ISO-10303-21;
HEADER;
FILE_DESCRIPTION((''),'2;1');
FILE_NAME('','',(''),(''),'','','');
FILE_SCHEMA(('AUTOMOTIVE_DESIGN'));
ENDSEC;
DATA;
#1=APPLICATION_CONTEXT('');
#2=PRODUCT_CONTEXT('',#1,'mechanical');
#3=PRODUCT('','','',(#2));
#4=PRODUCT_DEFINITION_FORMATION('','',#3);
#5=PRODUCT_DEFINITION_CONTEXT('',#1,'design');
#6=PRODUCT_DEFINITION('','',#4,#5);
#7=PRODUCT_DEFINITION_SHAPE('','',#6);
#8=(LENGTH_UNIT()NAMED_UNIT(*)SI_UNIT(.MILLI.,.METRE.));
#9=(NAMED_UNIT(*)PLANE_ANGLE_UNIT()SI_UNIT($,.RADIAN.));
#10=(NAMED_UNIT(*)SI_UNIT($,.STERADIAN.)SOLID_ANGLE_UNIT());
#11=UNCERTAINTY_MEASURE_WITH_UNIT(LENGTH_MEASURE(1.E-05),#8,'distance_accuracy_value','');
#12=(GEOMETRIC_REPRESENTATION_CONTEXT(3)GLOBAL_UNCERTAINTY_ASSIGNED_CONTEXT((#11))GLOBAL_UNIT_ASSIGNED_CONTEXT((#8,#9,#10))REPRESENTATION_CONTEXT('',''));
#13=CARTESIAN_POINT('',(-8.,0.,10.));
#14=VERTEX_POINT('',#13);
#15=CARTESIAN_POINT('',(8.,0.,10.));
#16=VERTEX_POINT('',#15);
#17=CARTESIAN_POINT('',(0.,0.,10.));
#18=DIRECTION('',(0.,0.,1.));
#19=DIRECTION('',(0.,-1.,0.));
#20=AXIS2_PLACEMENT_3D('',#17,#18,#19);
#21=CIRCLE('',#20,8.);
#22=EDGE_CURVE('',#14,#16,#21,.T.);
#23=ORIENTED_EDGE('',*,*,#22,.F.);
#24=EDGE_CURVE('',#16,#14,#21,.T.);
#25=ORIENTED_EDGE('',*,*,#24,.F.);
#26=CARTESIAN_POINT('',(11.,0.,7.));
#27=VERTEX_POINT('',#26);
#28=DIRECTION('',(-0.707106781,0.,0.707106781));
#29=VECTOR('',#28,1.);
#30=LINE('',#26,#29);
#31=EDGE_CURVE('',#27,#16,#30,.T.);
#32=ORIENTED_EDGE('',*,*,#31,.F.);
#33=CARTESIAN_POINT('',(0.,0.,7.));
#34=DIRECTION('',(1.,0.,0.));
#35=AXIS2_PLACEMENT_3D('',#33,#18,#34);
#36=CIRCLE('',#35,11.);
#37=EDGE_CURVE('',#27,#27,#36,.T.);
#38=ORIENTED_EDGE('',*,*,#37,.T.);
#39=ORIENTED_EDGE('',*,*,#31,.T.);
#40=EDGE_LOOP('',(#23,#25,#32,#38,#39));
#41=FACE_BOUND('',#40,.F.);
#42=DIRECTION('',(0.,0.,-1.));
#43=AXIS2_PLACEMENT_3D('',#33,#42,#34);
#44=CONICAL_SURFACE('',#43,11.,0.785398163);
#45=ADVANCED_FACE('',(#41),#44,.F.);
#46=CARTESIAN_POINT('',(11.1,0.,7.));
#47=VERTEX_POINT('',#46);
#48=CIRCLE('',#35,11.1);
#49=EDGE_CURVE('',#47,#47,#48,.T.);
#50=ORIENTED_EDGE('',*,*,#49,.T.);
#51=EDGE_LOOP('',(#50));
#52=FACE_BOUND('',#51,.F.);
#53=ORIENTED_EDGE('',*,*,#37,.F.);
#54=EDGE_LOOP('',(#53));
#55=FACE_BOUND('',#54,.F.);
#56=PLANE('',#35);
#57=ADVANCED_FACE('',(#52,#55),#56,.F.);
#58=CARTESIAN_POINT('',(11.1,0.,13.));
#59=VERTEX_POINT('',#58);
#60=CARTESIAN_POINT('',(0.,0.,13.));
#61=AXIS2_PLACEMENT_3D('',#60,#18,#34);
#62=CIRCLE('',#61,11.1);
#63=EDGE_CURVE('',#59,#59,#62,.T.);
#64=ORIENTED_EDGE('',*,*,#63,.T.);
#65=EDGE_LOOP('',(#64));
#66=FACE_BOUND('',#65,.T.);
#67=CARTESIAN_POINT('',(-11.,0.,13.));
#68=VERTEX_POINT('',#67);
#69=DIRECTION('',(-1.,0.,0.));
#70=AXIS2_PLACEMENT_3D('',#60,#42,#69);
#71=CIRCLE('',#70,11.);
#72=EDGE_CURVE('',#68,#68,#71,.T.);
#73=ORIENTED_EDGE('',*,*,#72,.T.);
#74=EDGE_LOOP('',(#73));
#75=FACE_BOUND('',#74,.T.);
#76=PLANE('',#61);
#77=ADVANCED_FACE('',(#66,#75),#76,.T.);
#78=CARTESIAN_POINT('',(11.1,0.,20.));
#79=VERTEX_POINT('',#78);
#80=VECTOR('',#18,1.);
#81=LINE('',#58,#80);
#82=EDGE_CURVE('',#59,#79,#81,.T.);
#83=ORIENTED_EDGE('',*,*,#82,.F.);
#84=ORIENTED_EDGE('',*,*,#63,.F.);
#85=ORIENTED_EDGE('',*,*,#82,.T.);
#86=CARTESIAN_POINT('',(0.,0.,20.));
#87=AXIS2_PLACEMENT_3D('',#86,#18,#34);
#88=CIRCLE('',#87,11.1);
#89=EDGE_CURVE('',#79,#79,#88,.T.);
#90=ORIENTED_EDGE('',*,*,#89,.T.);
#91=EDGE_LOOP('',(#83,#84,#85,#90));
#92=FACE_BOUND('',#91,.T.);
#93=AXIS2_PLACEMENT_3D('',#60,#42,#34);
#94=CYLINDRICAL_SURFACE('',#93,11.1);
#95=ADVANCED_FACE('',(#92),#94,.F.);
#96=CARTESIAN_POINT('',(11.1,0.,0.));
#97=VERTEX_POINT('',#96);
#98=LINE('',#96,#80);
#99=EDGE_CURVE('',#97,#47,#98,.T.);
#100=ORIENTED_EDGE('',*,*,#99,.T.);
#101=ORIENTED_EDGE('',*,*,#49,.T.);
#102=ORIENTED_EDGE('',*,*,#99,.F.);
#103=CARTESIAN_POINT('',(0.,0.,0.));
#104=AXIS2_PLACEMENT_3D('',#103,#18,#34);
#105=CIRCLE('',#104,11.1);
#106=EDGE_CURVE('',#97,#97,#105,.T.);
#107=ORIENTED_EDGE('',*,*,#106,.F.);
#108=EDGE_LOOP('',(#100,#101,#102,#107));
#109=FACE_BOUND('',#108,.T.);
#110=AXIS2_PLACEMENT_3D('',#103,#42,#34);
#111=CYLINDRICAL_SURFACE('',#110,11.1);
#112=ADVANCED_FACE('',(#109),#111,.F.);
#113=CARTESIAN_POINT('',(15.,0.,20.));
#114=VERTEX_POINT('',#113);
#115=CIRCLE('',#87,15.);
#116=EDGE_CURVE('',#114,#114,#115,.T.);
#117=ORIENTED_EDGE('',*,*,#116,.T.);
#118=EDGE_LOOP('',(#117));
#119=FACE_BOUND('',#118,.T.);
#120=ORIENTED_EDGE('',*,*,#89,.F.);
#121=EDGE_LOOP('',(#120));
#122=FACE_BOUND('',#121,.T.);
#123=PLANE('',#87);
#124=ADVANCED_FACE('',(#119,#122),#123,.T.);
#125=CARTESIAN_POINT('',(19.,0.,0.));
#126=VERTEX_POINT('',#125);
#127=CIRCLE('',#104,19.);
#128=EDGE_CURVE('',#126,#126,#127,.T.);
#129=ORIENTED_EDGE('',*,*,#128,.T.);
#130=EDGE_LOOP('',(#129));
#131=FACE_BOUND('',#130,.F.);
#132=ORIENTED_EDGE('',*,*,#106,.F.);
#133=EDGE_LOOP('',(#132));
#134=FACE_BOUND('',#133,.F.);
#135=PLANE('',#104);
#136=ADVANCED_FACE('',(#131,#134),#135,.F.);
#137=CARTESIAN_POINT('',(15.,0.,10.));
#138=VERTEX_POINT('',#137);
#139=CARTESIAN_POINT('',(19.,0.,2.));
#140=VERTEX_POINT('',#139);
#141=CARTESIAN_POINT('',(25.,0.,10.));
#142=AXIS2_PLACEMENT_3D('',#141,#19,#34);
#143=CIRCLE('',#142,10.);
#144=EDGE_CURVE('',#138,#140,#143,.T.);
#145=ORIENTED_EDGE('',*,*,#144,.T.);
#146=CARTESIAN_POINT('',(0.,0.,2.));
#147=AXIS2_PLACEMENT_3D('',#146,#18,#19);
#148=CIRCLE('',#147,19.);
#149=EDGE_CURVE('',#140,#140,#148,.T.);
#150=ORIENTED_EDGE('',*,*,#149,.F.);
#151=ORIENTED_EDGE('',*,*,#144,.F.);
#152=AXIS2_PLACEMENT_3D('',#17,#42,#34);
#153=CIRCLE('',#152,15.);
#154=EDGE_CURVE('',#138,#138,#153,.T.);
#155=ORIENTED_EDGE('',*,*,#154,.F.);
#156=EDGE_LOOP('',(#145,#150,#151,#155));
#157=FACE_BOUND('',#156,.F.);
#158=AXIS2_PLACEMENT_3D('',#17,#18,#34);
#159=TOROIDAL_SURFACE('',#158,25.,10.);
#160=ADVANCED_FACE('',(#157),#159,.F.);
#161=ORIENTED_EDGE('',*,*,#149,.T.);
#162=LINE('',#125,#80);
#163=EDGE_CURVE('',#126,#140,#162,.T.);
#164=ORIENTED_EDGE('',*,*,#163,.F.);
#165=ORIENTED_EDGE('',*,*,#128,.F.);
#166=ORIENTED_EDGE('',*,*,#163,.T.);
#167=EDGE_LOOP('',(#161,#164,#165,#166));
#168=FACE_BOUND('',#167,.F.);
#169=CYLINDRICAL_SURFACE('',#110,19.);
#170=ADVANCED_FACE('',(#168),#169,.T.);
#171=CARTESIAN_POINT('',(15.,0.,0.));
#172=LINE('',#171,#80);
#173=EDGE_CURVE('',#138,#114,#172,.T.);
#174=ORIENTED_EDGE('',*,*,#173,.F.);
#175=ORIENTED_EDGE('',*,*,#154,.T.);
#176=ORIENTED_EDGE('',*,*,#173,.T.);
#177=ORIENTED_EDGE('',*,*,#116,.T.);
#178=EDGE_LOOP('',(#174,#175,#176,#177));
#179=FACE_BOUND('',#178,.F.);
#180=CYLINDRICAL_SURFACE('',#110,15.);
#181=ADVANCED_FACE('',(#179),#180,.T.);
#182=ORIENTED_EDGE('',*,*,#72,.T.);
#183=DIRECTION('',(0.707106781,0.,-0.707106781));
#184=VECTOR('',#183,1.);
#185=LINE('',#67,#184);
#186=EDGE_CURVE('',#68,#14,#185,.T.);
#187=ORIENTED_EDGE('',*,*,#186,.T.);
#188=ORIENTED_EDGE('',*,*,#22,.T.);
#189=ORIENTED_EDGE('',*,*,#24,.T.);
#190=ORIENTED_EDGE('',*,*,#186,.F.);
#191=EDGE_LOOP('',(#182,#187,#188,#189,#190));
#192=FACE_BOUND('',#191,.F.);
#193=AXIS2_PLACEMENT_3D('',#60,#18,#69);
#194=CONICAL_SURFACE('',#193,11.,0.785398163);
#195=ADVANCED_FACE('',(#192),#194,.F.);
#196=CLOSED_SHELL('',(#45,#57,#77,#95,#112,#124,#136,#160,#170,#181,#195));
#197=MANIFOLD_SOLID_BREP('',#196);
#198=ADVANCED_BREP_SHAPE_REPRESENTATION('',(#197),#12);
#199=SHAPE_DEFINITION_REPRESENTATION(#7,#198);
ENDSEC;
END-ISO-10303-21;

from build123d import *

# Parameters (mm, degrees)
CYLINDER002_R     = 11.1
CYLINDER002_DEPTH = 7
TORUS002_R        = 10
CYLINDER001_R     = 11.1
CYLINDER001_DEPTH = 7
CYLINDER_R        = 15
CYLINDER_DEPTH    = 20
CYLINDER003_R     = 19
CYLINDER003_DEPTH = 10


with BuildPart() as cylinder002:
    # Cylinder002 → Cylinder002 (new body)
    with BuildSketch(Plane.XY.offset(13)):
        Circle(CYLINDER002_R)
    extrude(amount=CYLINDER002_DEPTH)


with BuildPart() as cone:
    # Cone → Cone (revolve)
    with BuildSketch(Plane(origin=(0, 0, 7), x_dir=(1, 0, 0), z_dir=(0, -1, 0))):
        Polygon((0, 0), (11, 0), (0, 11), align=None)
    revolve(axis=Axis((0, 0, 7), (0, 0, 1)))


with BuildPart() as cone001:
    # Cone001 → Cone001 (revolve)
    with BuildSketch(Plane(origin=(0, 0, 13), x_dir=(-1, 0, 0), z_dir=(0, -1, 0))):
        Polygon((0, 0), (11, 0), (0, 11), align=None)
    revolve(axis=Axis((0, 0, 13), (0, 0, -1)))


with BuildPart() as torus002:
    # Torus002 → Torus002 (revolve)
    with BuildSketch(Plane(origin=(0, 0, 10), x_dir=(1, 0, 0), z_dir=(0, -1, 0))):
        with Locations((25, 0)):
            Circle(TORUS002_R)
    revolve(axis=Axis((0, 0, 10), (0, 0, 1)))


with BuildPart() as negativefusion:
    # Cylinder001 → Cylinder001 (new body)
    with BuildSketch(Plane.XY):
        Circle(CYLINDER001_R)
    extrude(amount=CYLINDER001_DEPTH)

    # Fusion: union Cylinder002, Cone, Cone001, Torus002
    add(cylinder002.part)
    add(cone.part)
    add(cone001.part)
    add(torus002.part)


with BuildPart() as cylinder:
    # Cylinder → Cylinder (new body)
    with BuildSketch(Plane.XY):
        Circle(CYLINDER_R)
    extrude(amount=CYLINDER_DEPTH)


with BuildPart() as cut:
    # Cylinder003 → Cylinder003 (new body)
    with BuildSketch(Plane.XY):
        Circle(CYLINDER003_R)
    extrude(amount=CYLINDER003_DEPTH)

    # Fusion001: union Cylinder
    add(cylinder.part)

    # Cut: cut NegativeFusion
    add(negativefusion.part, mode=Mode.SUBTRACT)


solid = cut.part
